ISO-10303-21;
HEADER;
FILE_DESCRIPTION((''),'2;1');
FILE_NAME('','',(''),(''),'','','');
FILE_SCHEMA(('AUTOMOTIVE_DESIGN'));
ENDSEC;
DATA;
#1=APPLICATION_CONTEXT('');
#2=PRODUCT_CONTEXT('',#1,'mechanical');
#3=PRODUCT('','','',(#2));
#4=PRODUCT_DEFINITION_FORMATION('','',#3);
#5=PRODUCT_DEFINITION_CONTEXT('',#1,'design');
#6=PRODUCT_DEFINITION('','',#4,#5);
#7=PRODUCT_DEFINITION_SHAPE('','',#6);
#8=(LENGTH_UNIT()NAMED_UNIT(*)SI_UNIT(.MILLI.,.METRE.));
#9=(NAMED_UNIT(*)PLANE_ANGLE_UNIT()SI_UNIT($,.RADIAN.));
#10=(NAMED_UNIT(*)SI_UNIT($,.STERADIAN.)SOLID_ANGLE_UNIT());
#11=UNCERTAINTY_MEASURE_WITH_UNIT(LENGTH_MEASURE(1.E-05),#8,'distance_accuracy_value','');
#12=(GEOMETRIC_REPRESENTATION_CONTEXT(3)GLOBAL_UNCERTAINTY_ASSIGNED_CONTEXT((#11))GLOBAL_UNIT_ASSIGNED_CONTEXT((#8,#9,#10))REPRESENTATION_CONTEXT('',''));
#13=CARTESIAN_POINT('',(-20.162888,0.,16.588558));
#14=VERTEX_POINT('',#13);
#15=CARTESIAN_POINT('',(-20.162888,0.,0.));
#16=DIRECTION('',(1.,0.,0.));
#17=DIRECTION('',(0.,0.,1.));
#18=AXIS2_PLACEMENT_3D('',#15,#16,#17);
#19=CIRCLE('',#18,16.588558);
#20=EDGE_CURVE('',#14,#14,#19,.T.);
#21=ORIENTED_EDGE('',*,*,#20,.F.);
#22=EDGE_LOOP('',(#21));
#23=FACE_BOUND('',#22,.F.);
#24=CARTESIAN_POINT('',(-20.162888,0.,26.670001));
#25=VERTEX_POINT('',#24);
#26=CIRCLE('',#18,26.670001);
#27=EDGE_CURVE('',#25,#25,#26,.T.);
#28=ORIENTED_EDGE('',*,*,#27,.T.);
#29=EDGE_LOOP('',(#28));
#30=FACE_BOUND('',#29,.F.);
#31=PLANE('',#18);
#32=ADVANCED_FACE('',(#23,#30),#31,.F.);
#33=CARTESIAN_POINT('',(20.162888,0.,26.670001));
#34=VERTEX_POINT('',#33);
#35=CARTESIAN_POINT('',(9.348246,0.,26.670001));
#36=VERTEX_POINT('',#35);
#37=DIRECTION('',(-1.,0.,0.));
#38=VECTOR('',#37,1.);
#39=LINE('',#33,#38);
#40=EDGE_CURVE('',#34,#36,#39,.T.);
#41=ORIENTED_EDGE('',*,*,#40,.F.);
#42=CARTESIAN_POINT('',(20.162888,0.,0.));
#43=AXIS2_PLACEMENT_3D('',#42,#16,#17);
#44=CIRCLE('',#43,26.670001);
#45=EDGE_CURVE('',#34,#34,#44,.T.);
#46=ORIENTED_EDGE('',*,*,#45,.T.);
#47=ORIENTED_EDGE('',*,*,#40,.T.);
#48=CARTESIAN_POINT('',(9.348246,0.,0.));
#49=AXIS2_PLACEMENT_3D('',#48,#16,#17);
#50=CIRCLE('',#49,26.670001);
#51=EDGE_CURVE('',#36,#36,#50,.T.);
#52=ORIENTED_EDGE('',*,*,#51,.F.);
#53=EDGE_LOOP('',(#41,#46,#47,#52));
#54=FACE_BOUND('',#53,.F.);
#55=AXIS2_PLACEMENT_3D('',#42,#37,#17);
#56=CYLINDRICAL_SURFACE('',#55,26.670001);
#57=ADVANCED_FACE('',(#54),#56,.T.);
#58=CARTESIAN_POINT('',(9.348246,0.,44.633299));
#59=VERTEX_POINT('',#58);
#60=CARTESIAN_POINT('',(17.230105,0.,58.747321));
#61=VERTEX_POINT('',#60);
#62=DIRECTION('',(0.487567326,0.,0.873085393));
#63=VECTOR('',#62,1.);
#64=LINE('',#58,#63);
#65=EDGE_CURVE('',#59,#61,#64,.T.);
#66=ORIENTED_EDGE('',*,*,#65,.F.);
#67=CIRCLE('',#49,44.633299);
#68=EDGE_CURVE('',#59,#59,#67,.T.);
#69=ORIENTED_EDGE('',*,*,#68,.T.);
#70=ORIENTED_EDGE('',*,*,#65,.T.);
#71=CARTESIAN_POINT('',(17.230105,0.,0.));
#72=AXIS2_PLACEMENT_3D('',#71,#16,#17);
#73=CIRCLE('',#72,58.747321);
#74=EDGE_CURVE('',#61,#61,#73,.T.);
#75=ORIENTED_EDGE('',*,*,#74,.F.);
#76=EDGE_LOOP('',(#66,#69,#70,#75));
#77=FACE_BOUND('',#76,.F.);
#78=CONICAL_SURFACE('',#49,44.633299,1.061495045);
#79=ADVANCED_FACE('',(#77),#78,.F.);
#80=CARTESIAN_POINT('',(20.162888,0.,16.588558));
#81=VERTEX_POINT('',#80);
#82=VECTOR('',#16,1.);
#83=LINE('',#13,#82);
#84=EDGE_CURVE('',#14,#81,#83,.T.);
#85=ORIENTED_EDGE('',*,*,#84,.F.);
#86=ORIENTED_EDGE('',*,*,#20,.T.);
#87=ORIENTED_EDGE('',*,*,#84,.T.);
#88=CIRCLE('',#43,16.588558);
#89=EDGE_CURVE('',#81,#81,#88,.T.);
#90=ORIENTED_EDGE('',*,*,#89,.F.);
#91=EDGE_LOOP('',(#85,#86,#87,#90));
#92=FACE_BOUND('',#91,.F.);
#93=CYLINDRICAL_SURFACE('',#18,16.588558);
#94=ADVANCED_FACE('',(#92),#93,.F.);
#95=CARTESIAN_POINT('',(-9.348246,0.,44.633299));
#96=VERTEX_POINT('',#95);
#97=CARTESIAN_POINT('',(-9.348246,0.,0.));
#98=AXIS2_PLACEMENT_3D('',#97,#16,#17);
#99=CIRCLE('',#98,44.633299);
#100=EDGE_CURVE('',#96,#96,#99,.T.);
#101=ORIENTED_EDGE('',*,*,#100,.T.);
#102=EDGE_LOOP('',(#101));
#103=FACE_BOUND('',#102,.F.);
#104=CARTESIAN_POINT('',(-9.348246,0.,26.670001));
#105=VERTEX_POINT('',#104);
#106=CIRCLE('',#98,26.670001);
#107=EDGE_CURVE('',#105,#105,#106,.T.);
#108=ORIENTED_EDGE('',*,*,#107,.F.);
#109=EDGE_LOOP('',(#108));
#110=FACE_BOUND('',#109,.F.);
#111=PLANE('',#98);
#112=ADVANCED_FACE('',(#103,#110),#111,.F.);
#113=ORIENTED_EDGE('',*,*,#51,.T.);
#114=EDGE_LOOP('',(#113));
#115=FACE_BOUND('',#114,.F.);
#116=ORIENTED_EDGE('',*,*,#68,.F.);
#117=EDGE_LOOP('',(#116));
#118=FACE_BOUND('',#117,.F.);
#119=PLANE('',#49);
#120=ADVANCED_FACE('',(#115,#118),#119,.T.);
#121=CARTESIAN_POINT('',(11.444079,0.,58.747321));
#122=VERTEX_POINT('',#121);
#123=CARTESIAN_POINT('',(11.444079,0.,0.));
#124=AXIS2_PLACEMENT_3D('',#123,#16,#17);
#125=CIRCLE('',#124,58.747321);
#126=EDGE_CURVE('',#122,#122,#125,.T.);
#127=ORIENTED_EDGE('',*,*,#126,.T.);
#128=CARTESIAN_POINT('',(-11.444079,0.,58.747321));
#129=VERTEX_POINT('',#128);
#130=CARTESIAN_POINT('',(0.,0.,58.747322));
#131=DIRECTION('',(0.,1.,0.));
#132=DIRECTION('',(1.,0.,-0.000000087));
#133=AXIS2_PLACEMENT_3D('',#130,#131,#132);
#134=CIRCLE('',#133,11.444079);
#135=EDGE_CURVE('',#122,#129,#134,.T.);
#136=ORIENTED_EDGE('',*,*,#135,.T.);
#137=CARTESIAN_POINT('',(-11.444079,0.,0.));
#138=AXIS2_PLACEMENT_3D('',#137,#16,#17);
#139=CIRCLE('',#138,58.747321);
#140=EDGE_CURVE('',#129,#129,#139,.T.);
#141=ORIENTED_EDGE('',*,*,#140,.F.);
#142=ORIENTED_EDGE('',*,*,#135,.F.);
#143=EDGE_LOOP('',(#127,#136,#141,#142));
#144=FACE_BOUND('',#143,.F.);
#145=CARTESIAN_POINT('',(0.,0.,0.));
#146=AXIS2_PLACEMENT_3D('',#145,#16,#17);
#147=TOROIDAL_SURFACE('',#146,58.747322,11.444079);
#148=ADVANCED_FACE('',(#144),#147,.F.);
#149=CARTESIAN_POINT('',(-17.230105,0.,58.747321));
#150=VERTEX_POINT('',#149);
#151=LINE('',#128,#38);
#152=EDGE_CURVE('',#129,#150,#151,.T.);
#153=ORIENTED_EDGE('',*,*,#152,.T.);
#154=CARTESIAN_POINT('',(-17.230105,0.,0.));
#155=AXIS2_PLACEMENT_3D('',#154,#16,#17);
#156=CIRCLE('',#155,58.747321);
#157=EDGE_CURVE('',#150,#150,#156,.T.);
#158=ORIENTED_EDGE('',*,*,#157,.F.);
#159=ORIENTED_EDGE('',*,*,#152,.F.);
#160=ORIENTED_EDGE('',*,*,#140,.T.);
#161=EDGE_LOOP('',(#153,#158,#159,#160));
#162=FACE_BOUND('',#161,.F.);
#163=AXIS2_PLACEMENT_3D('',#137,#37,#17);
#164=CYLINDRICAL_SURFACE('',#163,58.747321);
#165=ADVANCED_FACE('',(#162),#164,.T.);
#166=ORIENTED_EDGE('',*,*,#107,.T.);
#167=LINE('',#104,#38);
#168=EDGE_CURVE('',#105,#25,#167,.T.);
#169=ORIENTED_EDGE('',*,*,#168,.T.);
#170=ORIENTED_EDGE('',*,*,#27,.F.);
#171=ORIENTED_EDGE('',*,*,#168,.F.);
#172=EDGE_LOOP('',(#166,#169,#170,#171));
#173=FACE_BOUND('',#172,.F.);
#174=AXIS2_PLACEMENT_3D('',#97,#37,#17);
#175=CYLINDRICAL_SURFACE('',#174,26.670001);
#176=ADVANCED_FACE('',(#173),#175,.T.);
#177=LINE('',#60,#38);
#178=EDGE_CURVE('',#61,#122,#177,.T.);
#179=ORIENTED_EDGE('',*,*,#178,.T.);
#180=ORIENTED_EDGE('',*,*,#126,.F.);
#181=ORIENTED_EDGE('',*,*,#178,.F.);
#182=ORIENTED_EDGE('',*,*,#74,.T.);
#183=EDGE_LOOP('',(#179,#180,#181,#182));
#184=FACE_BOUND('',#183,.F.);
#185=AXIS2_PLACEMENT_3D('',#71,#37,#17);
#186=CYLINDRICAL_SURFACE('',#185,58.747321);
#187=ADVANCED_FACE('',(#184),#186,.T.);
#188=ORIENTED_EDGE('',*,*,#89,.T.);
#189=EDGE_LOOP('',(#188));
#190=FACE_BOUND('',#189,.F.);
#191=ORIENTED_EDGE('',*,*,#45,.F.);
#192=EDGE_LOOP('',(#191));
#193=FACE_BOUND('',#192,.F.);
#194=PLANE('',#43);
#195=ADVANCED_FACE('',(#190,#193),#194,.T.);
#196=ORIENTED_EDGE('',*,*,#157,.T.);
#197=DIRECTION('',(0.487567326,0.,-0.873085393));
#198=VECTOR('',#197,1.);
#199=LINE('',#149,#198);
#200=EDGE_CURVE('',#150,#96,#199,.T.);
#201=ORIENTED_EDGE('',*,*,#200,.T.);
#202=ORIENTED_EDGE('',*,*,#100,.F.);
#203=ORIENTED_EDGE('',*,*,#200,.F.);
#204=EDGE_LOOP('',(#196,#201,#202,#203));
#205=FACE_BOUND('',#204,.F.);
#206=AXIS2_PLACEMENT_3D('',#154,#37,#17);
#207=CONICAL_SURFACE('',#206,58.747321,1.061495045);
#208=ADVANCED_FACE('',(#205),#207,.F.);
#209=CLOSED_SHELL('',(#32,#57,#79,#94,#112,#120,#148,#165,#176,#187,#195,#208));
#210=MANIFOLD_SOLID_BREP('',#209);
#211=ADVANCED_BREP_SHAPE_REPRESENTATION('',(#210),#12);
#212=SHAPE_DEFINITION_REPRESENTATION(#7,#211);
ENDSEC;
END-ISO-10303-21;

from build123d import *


with BuildPart() as f1:
    # F0 (on Front) → F1 (revolve)
    with BuildSketch(Plane.XZ):
        with BuildLine():
            Line((-20.162888, 16.588558), (0, 16.588558))
            Line((0, 16.588558), (20.162888, 16.588558))
            Line((20.162888, 16.588558), (20.162888, 26.670001))
            Line((20.162888, 26.670001), (9.348246, 26.670001))
            Line((9.348246, 26.670001), (9.348246, 44.633299))
            Line((9.348246, 44.633299), (17.230105, 58.747321))
            Line((17.230105, 58.747321), (11.444079, 58.747321))
            ThreePointArc((11.444079, 58.747321), (0, 47.303243), (-11.444079, 58.747321))
            Line((-11.444079, 58.747321), (-17.230105, 58.747321))
            Line((-17.230105, 58.747321), (-9.348246, 44.633299))
            Line((-9.348246, 44.633299), (-9.348246, 26.670001))
            Line((-9.348246, 26.670001), (-20.162888, 26.670001))
            Line((-20.162888, 26.670001), (-20.162888, 16.588558))
        make_face()
    revolve(axis=Axis((-5.590618, 0, 0), (1, 0, 0)))


solid = f1.part
